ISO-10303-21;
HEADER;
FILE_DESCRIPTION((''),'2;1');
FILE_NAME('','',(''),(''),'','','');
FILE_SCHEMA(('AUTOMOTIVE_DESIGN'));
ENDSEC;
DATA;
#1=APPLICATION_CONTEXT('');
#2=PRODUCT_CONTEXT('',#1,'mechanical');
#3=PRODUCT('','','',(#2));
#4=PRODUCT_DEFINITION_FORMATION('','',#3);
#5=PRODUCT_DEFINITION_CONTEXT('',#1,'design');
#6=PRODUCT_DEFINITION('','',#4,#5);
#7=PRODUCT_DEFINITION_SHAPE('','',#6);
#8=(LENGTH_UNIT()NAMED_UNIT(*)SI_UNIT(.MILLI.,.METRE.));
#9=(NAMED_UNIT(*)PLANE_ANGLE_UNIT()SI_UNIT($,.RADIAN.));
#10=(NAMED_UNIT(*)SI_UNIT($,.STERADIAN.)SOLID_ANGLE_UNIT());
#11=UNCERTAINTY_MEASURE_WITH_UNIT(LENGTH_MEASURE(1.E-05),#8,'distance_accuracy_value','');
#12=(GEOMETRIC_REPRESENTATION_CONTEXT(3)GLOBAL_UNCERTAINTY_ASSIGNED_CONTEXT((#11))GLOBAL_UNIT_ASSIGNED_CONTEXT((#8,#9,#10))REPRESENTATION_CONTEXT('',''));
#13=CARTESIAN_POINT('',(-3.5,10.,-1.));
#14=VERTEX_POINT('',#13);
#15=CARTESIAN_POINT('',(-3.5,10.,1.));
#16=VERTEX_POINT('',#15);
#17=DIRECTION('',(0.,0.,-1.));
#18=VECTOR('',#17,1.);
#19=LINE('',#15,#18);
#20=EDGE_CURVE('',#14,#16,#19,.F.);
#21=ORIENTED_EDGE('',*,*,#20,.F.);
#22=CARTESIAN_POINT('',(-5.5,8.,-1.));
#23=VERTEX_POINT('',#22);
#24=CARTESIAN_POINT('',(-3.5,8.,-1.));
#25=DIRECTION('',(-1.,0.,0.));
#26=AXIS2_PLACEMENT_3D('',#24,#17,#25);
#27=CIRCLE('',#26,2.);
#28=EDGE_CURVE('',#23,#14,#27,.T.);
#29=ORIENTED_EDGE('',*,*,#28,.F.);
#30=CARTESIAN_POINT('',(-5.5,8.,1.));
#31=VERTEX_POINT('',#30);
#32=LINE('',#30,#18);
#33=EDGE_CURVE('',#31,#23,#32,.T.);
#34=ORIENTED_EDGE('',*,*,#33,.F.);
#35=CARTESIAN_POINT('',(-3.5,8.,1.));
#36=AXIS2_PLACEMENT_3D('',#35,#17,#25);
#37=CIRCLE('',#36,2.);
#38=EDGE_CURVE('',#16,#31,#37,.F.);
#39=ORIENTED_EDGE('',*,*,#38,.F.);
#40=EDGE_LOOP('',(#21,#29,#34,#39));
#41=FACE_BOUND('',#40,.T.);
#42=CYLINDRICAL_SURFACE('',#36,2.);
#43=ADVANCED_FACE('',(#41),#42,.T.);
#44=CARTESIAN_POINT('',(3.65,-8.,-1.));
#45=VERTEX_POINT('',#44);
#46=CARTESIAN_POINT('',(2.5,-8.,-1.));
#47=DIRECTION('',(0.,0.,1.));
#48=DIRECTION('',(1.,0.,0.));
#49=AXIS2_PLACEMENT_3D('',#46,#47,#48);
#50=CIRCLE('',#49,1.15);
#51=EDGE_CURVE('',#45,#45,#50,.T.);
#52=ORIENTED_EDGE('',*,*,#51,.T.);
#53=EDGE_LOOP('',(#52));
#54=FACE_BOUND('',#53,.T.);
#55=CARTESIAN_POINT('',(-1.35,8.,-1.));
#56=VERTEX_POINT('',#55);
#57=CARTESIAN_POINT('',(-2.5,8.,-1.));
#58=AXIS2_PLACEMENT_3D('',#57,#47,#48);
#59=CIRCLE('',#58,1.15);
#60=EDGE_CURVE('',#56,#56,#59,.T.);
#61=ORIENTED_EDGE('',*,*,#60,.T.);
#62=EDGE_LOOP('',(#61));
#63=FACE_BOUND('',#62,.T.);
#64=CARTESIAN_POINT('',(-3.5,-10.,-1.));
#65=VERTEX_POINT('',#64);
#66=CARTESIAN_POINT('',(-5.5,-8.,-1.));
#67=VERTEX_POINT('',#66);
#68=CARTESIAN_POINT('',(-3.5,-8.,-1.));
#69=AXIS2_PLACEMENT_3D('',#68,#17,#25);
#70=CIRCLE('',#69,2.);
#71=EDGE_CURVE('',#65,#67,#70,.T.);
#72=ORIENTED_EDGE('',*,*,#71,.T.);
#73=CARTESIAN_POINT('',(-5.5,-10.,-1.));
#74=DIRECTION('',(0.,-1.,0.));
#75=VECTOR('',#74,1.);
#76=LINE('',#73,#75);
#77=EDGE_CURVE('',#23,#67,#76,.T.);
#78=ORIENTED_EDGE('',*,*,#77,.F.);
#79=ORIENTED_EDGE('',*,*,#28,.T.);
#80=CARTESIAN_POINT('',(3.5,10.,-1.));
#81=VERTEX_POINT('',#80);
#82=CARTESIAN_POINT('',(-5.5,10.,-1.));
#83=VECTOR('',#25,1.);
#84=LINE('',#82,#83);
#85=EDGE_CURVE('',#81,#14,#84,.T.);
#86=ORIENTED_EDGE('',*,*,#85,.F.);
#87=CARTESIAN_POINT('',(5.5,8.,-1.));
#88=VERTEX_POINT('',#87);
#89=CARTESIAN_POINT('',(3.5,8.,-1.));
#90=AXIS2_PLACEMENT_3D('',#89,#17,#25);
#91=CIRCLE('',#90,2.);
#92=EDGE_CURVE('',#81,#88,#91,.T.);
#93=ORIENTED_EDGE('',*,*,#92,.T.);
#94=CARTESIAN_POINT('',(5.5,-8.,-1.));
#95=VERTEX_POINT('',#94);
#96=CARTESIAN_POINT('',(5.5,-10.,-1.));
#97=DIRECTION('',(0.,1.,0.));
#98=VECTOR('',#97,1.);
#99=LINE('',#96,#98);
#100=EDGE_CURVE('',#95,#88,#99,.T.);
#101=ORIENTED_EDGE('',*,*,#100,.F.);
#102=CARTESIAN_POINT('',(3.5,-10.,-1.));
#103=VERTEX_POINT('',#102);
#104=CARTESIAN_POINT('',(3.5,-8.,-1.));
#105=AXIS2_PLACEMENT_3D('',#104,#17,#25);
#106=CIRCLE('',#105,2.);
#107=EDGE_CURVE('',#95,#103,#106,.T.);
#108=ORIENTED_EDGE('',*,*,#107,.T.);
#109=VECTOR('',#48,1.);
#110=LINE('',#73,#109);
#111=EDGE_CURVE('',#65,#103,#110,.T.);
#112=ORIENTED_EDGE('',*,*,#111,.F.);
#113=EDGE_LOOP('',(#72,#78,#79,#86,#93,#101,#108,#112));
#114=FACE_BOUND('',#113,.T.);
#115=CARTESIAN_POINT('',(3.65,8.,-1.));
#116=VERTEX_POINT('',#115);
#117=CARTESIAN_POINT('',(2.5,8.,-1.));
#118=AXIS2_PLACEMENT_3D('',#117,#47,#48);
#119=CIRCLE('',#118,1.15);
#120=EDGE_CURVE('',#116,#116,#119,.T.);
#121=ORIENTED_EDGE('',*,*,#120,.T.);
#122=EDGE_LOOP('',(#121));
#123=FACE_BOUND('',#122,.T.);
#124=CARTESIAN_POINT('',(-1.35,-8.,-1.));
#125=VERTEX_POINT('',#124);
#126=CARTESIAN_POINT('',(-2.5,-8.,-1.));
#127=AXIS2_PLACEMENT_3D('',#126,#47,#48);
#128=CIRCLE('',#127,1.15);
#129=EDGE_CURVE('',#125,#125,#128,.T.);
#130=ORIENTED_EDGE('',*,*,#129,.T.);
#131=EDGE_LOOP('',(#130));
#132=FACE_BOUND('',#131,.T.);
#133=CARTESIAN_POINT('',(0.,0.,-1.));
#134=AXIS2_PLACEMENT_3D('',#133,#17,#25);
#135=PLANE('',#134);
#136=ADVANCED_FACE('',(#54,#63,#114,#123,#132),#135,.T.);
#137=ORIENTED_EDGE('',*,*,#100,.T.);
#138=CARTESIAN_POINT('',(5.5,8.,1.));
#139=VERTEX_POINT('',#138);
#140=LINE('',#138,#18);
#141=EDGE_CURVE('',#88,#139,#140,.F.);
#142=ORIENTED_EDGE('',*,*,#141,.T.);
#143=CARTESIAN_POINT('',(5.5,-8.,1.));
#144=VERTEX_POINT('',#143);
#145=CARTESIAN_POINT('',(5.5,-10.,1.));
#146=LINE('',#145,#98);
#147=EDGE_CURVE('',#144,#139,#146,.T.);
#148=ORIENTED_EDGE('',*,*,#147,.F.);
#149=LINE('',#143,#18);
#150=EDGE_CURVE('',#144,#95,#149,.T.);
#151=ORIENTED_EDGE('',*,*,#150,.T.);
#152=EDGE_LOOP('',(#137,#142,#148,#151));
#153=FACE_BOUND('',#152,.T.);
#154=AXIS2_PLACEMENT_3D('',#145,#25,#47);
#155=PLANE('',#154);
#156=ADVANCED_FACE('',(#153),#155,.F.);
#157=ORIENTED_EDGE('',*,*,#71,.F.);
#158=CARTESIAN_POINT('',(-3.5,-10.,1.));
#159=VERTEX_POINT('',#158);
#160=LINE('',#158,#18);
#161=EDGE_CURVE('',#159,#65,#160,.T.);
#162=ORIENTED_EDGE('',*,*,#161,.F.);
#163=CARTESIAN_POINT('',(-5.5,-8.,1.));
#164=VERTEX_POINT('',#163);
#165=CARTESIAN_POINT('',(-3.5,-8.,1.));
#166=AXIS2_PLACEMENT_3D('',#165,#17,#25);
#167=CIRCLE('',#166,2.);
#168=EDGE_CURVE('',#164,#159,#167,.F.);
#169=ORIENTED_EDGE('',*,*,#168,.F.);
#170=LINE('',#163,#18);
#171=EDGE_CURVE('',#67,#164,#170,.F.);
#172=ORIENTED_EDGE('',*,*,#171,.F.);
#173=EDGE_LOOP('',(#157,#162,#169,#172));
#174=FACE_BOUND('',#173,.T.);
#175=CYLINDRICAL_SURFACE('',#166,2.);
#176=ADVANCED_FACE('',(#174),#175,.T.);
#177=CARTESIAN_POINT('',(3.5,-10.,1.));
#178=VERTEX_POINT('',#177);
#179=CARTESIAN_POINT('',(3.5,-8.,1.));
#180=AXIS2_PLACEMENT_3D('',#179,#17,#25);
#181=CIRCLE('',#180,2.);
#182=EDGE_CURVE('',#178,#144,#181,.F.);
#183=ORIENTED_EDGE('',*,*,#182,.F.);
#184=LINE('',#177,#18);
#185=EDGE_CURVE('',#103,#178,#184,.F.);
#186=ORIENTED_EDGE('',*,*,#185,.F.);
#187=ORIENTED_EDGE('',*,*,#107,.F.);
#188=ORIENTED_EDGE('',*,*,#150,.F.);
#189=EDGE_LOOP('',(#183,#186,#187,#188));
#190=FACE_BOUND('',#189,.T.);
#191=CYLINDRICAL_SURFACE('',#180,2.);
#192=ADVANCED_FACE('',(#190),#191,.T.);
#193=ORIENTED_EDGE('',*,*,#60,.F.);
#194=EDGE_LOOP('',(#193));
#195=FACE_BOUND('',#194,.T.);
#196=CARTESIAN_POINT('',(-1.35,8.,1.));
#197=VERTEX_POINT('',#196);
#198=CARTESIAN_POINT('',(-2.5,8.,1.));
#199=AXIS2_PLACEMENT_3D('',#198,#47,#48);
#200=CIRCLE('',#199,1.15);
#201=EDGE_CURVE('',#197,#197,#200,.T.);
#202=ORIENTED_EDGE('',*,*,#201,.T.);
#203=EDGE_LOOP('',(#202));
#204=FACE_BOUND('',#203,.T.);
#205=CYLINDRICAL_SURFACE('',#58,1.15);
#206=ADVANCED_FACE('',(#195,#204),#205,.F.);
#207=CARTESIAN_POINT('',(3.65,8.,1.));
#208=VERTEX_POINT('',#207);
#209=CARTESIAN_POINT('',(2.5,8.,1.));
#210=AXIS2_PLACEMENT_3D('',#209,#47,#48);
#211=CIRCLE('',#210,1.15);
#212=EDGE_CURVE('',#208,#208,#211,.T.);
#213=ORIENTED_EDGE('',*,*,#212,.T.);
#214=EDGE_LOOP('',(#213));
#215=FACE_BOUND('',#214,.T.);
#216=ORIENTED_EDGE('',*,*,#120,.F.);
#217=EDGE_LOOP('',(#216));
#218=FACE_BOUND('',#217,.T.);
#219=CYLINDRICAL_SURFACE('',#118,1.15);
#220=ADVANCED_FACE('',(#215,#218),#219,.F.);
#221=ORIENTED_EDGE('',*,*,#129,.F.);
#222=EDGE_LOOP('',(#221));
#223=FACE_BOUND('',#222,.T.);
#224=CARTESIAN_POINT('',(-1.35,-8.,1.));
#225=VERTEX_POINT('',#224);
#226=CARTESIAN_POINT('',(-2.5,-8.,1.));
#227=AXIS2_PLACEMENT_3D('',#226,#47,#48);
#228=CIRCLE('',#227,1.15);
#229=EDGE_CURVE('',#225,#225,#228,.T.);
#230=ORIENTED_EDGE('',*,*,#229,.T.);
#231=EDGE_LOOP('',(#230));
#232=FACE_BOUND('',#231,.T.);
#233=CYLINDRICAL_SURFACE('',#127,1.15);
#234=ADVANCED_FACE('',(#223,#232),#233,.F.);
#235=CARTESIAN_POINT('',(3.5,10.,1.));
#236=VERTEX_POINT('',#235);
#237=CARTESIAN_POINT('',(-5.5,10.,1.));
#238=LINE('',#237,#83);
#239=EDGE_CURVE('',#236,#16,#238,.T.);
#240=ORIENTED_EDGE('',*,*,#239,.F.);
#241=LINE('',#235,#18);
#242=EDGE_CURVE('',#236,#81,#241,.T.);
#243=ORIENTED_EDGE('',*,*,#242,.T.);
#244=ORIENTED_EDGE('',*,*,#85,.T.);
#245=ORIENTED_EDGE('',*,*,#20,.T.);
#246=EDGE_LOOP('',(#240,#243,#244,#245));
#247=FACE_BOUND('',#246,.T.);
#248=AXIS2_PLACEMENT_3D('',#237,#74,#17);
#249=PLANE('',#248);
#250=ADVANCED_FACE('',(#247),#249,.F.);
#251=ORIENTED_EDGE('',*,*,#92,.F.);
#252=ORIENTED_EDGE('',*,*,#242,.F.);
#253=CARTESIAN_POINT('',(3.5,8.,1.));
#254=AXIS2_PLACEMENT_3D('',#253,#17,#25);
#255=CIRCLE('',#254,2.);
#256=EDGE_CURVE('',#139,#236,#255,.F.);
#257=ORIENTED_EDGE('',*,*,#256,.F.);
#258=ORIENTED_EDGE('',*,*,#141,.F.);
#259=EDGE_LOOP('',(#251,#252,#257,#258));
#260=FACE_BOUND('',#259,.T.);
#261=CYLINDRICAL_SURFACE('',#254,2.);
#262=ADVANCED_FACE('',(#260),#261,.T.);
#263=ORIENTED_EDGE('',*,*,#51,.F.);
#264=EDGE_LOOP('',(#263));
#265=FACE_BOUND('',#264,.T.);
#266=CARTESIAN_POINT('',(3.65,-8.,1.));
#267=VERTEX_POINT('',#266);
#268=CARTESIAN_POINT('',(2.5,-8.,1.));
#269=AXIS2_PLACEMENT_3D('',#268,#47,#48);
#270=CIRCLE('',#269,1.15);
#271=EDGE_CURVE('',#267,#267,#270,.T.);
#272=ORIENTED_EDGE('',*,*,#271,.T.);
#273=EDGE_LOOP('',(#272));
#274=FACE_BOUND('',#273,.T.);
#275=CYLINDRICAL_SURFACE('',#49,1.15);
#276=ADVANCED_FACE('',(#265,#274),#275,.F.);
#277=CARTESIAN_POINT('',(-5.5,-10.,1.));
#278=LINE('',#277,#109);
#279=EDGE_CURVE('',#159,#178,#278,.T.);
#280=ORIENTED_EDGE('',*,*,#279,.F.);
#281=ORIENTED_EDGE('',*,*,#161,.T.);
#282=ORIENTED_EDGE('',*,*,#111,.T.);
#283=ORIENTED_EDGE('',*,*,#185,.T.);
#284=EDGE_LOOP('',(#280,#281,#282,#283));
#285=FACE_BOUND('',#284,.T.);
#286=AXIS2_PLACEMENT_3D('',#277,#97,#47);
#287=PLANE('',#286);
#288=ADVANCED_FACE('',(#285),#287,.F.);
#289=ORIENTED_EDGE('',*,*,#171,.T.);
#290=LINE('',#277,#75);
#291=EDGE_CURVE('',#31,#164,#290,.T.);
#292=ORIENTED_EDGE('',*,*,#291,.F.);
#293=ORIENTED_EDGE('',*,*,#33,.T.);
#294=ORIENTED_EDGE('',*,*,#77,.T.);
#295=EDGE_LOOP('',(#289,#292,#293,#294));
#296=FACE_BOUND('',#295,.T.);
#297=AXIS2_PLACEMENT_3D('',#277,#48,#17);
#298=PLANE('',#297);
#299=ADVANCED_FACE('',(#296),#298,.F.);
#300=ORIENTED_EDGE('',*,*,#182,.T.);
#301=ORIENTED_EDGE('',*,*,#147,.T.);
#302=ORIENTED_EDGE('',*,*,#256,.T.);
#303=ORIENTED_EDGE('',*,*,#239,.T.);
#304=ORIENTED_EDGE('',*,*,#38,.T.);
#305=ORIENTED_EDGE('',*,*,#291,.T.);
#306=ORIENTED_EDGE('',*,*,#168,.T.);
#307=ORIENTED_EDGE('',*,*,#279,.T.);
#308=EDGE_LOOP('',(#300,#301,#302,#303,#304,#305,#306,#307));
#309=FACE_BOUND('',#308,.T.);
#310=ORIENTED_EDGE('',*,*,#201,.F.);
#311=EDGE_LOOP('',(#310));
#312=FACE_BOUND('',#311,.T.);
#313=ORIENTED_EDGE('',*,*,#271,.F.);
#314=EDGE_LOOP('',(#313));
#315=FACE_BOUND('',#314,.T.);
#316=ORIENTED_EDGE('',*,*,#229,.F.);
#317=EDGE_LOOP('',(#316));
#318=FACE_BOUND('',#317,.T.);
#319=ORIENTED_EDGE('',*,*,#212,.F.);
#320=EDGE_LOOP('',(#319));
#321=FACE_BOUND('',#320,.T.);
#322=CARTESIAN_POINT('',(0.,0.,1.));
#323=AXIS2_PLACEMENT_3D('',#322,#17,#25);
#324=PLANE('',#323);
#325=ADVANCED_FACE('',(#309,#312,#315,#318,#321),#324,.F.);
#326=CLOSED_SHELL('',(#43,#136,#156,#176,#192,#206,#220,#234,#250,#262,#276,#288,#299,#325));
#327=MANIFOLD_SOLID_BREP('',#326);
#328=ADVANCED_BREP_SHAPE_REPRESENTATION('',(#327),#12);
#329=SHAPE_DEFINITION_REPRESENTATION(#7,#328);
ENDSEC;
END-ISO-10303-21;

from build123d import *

# Parameters (mm, degrees)
SKETCH_1_W          = 11
SKETCH_1_H          = 20
EXTRUDE_1_DEPTH     = 1
SKETCH_2_R          = 1.15
CUT_EXTRUDE_1_DEPTH = 12.586630226
FILLET_1_R          = 2


with BuildPart() as part:
    # 草图1 → 凸台-拉伸1 (new, symmetric)
    with BuildSketch(Plane.XY):
        Rectangle(SKETCH_1_W, SKETCH_1_H)
    extrude(amount=EXTRUDE_1_DEPTH, both=True)

    # 草图2 → 切除-拉伸1 (cut, through all)
    with BuildSketch(Plane.XY.offset(1)):
        with Locations((-2.5, 8)):
            Circle(SKETCH_2_R)
        with Locations((2.5, 8)):
            Circle(SKETCH_2_R)
        with Locations((-2.5, -8)):
            Circle(SKETCH_2_R)
        with Locations((2.5, -8)):
            Circle(SKETCH_2_R)
    extrude(amount=-CUT_EXTRUDE_1_DEPTH, mode=Mode.SUBTRACT)

    # 圆角1
    fillet_1_edges = [part.edges().sort_by_distance(p)[0] for p in [
        (5.5, -10, 0),
        (-5.5, -10, 0),
        (-5.5, 10, 0),
        (5.5, 10, 0),
    ]]
    fillet(fillet_1_edges, radius=FILLET_1_R)


solid = part.part
